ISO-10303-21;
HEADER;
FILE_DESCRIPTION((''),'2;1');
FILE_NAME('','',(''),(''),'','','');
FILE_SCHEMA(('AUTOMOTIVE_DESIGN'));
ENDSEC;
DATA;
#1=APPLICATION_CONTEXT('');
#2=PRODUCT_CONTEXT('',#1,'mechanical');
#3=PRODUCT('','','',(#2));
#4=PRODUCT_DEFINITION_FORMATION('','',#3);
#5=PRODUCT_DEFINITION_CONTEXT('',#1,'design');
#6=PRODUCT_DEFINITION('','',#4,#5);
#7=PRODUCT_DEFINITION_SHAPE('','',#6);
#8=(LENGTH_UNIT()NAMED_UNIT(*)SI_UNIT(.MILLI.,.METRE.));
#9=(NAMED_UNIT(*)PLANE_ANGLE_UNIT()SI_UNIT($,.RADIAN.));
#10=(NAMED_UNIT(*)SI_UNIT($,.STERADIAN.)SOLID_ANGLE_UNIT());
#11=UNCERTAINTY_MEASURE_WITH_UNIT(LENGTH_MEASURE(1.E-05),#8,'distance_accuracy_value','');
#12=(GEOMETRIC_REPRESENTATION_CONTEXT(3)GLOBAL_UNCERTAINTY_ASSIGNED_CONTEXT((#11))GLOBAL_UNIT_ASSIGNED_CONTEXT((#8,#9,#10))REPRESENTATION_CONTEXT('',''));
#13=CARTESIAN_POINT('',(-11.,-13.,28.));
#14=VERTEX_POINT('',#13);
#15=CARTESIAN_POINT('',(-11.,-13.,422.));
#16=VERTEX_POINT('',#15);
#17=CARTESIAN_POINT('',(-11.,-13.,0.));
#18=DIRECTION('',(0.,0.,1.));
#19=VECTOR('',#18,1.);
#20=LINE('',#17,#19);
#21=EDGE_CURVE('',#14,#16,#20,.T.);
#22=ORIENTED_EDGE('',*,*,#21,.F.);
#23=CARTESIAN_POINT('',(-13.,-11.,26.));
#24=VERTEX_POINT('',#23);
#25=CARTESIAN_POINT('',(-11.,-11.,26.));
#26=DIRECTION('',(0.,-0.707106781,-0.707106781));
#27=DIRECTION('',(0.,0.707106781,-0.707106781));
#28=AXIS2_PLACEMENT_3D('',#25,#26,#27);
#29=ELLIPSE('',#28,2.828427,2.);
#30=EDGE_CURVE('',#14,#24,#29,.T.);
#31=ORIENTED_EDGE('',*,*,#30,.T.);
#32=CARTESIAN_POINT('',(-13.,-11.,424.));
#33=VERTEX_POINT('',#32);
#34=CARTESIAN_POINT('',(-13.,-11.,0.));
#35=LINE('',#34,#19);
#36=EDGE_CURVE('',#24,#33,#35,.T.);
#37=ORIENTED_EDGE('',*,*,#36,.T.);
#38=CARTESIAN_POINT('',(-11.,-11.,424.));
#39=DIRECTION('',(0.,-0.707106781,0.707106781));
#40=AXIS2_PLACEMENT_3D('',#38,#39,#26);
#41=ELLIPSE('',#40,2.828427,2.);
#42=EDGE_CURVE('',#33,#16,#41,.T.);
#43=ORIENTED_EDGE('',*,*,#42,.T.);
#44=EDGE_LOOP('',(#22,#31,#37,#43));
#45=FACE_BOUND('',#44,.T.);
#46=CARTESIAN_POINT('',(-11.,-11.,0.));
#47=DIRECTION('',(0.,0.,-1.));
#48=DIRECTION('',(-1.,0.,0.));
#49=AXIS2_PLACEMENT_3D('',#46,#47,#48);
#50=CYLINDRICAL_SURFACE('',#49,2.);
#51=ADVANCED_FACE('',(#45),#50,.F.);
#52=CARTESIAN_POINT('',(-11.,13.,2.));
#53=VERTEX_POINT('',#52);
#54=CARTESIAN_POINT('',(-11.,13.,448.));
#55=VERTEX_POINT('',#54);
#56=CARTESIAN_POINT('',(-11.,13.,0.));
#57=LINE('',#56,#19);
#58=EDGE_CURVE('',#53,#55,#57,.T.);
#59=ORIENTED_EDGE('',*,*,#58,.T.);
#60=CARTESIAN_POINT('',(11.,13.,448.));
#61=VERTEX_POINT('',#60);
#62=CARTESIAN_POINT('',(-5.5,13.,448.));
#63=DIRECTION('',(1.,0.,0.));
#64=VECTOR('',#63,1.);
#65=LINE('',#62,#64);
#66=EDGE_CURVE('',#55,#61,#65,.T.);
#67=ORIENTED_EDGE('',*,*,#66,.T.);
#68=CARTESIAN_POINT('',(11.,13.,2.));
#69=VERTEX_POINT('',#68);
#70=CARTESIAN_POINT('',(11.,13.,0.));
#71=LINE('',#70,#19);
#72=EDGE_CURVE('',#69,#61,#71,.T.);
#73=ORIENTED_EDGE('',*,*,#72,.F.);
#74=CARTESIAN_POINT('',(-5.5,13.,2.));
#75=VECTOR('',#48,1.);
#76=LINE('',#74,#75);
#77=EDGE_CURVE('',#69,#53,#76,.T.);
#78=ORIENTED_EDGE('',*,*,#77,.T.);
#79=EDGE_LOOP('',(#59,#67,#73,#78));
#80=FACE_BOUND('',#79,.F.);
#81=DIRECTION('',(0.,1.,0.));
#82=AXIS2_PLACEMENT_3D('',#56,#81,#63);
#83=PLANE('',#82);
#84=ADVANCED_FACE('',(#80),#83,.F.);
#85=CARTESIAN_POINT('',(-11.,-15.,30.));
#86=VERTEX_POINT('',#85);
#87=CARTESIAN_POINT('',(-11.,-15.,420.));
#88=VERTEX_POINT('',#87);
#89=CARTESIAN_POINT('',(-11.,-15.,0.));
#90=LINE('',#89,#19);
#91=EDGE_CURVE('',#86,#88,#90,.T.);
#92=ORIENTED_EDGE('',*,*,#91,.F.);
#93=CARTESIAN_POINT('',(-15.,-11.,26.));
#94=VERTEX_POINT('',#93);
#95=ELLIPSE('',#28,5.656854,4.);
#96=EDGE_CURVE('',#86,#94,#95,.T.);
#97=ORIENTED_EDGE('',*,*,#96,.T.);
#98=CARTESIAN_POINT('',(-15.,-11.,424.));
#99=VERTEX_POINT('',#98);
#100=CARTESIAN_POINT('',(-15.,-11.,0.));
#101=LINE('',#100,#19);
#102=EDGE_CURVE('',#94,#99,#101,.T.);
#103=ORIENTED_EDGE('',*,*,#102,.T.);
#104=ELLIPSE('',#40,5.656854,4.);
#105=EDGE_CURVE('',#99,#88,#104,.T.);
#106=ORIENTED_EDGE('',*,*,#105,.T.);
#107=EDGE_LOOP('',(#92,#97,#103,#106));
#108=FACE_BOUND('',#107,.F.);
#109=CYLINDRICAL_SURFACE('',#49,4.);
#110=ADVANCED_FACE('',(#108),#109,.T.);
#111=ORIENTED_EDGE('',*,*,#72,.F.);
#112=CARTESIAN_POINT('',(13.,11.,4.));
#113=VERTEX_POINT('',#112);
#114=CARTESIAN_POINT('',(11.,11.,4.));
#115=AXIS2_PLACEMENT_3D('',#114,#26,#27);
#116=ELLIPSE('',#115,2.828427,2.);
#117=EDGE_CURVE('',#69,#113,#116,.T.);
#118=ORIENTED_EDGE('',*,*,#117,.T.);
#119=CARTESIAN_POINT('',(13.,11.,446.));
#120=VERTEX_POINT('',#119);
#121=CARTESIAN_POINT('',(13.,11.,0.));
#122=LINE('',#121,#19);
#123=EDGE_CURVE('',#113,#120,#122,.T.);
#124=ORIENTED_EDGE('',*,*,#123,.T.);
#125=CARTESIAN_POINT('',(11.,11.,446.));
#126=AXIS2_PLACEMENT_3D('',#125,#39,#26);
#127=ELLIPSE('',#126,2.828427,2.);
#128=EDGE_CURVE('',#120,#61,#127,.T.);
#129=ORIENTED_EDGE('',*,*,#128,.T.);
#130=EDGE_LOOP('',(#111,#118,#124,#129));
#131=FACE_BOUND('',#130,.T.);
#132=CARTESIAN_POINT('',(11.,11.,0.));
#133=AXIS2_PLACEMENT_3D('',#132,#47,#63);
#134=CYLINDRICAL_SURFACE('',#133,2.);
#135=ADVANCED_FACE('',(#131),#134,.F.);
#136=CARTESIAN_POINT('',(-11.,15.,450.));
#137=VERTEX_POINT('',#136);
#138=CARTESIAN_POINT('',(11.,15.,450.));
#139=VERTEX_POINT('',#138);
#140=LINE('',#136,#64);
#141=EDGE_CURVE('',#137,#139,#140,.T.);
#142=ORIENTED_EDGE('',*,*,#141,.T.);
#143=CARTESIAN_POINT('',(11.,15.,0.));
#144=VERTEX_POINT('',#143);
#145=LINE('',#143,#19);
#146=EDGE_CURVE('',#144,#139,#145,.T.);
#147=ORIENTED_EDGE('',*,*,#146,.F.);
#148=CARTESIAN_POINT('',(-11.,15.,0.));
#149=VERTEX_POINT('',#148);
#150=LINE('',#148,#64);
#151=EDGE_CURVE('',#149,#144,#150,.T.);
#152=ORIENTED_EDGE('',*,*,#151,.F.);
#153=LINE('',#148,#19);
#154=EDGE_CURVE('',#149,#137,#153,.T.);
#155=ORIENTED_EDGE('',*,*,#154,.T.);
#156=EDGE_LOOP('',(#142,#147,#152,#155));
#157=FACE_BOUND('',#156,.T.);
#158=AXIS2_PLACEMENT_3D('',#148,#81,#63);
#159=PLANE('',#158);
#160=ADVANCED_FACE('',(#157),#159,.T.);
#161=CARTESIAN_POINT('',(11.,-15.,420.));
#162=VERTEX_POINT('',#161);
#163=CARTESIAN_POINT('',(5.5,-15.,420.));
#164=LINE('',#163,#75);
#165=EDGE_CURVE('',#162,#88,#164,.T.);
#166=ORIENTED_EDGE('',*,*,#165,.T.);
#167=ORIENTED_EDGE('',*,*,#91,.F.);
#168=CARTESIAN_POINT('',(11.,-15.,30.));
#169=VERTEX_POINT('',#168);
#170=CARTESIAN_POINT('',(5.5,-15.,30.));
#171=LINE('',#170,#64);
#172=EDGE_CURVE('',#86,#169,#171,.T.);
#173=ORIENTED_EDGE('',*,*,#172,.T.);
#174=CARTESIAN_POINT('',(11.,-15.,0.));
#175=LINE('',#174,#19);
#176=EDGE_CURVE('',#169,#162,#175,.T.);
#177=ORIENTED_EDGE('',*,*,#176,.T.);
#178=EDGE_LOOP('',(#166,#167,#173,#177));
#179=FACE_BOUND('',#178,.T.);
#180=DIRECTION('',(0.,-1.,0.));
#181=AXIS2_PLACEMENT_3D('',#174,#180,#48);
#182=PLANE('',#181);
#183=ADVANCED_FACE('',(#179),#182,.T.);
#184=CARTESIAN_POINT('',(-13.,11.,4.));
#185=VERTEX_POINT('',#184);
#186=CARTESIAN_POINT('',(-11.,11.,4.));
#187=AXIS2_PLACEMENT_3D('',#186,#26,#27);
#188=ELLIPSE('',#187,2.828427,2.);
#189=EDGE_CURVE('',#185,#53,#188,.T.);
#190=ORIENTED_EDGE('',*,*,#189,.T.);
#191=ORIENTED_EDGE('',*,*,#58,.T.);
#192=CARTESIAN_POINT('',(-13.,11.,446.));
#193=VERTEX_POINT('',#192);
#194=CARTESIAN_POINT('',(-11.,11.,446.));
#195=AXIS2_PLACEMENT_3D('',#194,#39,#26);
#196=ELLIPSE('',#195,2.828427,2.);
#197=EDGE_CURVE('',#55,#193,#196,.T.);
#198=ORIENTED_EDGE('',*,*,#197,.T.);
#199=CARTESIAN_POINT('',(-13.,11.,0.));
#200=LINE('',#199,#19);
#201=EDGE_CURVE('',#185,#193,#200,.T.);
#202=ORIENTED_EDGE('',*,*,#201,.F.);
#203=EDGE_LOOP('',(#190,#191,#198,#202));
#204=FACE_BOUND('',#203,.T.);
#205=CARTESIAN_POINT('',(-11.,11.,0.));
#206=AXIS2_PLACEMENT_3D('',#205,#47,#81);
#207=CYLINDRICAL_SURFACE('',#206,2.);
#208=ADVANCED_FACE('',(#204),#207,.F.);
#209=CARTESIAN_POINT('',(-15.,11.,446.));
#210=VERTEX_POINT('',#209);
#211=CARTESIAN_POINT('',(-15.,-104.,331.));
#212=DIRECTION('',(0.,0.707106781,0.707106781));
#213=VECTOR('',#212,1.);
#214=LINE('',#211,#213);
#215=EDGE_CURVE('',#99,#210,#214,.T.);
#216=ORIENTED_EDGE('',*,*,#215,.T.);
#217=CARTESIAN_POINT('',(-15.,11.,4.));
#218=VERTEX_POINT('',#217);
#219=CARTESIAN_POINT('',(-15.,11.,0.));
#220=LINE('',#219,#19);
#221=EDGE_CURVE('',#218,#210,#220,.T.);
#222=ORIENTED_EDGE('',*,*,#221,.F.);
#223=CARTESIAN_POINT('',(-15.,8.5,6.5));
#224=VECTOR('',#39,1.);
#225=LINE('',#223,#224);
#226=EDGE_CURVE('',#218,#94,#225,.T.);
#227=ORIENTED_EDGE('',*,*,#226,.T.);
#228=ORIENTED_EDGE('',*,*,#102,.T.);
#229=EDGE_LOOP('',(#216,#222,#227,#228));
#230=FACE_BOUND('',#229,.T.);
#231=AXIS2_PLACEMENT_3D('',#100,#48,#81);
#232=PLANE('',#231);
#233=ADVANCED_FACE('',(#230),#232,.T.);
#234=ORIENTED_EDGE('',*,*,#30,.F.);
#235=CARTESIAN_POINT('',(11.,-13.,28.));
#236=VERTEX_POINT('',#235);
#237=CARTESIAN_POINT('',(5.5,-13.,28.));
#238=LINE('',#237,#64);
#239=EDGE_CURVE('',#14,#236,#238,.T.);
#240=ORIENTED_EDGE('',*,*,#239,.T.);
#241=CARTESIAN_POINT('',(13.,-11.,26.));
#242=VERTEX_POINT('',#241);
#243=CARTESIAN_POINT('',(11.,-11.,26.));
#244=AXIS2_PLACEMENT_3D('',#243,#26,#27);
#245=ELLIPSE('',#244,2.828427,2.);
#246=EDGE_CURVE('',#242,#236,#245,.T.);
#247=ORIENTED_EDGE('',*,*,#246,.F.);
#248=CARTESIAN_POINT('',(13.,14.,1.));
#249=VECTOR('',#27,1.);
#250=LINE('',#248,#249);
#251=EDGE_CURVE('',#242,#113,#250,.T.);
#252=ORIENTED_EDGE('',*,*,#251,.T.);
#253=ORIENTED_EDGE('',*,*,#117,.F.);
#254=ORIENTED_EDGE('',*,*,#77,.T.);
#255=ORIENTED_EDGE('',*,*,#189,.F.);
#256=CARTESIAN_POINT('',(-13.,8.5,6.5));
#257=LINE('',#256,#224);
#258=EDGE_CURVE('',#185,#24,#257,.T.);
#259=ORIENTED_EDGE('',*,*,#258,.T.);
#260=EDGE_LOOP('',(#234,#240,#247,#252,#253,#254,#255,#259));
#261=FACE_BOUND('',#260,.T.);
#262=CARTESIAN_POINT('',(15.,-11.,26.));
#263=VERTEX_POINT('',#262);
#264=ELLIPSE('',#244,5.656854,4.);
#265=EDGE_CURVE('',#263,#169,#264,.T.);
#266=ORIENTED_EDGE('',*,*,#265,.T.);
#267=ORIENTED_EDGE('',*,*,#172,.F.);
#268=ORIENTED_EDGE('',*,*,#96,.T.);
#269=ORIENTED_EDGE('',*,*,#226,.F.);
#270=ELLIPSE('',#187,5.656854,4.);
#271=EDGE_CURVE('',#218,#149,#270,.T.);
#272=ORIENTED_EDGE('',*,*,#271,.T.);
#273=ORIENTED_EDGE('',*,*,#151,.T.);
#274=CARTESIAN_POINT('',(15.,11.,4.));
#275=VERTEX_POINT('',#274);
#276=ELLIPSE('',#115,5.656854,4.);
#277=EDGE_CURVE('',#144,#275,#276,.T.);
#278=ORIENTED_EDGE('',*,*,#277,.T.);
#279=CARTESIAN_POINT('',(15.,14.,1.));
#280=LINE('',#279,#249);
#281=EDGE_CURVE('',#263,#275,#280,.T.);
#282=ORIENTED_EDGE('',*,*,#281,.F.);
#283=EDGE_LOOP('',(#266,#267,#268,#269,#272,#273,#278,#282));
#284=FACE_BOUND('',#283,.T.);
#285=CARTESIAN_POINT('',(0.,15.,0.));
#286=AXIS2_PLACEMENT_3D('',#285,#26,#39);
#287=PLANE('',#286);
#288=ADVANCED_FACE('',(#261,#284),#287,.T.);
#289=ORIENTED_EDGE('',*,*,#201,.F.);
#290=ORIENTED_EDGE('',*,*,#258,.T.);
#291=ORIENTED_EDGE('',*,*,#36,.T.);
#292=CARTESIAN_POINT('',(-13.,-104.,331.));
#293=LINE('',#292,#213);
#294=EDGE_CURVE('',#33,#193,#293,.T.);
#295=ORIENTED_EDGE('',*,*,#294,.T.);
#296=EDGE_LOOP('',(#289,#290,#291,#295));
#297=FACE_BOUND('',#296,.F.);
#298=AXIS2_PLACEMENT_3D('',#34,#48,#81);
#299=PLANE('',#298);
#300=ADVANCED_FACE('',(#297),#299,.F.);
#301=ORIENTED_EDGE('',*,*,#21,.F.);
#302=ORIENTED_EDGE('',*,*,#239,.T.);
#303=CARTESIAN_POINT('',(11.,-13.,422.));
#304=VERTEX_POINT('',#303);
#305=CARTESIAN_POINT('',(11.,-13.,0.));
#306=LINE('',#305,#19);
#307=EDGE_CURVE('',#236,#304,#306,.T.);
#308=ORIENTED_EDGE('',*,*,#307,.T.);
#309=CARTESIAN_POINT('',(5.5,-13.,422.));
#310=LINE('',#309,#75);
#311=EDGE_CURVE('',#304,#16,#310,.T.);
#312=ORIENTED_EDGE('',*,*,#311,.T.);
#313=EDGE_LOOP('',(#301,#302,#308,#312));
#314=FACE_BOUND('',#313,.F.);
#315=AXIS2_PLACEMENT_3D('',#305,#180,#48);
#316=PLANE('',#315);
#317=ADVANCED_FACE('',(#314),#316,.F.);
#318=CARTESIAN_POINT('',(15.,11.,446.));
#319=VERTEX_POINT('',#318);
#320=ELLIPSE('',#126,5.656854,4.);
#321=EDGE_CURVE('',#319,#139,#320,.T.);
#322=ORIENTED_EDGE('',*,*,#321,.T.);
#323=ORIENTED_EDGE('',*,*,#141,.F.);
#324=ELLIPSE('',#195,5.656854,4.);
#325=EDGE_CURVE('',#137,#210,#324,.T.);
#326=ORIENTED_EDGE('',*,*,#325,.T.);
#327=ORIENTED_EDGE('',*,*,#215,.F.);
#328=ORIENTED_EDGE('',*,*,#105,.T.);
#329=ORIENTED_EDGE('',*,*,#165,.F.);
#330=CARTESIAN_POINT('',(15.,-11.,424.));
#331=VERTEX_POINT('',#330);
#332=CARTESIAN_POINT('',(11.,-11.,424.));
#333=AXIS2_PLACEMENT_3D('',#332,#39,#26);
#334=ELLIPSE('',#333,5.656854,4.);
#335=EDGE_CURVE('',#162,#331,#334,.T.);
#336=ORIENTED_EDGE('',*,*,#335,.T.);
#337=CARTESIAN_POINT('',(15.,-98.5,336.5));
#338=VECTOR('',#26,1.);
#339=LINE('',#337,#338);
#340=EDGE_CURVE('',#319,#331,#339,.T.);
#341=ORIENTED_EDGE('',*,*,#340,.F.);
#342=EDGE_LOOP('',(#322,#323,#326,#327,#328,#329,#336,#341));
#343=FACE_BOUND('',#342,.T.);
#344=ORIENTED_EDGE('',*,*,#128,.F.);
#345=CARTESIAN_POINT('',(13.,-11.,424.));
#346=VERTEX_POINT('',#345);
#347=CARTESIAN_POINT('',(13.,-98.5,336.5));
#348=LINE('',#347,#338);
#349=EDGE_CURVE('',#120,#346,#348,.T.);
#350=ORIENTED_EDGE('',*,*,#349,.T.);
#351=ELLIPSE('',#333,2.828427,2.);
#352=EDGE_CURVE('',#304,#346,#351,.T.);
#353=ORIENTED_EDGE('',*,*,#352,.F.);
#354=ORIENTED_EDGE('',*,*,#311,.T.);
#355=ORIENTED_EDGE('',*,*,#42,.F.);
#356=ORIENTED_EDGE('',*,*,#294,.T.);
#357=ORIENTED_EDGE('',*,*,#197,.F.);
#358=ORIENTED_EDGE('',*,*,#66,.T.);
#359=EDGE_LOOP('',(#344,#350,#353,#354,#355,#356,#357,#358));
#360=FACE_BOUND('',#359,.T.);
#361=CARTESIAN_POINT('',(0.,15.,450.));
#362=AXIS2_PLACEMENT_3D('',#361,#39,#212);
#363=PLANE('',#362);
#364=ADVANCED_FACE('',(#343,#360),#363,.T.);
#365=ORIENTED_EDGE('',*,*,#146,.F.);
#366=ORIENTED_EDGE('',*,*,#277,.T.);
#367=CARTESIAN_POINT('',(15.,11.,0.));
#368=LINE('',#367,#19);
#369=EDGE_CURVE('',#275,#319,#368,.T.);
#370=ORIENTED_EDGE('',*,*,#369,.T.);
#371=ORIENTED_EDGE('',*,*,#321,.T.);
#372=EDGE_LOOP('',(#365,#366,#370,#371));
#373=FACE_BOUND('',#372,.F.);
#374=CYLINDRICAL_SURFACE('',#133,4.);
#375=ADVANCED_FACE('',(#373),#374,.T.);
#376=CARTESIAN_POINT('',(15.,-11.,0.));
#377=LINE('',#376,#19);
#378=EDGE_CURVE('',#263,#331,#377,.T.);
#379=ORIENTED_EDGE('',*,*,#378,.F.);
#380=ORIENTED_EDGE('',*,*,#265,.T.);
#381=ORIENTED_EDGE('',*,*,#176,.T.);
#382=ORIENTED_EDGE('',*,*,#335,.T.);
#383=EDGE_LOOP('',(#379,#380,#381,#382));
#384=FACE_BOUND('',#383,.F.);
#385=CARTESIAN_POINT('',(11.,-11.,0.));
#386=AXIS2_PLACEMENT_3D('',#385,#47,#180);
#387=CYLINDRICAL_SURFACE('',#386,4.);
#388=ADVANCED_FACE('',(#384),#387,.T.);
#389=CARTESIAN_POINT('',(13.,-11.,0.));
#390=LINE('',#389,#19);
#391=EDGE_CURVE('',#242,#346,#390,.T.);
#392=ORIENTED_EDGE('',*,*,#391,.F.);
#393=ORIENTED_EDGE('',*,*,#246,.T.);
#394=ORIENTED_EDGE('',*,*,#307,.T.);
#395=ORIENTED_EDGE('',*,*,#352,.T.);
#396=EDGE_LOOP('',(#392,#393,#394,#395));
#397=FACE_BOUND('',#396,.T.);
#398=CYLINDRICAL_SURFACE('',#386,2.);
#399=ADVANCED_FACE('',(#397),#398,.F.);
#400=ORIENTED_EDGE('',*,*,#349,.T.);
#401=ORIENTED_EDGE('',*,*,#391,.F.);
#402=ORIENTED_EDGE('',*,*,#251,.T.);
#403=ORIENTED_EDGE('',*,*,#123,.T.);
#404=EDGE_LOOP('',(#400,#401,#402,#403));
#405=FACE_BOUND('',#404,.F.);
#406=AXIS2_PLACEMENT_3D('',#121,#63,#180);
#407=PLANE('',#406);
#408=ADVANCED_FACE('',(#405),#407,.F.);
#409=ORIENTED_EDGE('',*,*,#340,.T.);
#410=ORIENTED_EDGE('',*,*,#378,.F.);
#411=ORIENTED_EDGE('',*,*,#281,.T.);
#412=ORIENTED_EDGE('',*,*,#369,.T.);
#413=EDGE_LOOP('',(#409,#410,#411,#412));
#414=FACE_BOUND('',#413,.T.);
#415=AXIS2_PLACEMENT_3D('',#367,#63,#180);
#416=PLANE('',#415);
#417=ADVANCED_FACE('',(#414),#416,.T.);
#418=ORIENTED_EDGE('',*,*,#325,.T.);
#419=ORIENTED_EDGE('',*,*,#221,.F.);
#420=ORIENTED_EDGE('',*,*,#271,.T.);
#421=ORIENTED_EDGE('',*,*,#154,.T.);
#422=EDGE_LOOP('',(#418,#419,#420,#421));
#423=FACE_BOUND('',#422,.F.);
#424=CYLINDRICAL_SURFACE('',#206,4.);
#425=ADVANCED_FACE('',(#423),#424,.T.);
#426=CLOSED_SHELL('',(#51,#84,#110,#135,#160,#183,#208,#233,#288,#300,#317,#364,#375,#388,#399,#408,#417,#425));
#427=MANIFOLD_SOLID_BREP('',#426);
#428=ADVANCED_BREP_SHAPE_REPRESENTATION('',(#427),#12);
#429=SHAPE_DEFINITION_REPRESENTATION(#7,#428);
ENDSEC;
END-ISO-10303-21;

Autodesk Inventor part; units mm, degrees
ref_plane "Plano inicial" through (0, 0, 0) normal (0, 0, 1) x (1, 0, 0)
ref_plane "Plano final" through (0, 0, 450) normal (0, 0, 1) x (1, 0, 0)
sketch "Esboço" plane through (0, 0, 0) normal (0, 0, 1) x (1, 0, 0)
  line L0 (-15, -11) -> (-15, 11)
  line L1 (-11, 15) -> (11, 15)
  line L2 (15, 11) -> (15, -11)
  line L3 (11, -15) -> (-11, -15)
  arc A0 (-15, -11) -> (-11, -15) centre (-11, -11) ccw
  arc A1 (15, 11) -> (11, 15) centre (11, 11) ccw
  arc A2 (-11, 15) -> (-15, 11) centre (-11, 11) ccw
  arc A3 (11, -15) -> (15, -11) centre (11, -11) ccw
  arc A4 (-11, 13) -> (-13, 11) centre (-11, 11) ccw
  line L4 (-11, 13) -> (11, 13)
  arc A5 (13, 11) -> (11, 13) centre (11, 11) ccw
  line L5 (13, 11) -> (13, -11)
  arc A6 (11, -13) -> (13, -11) centre (11, -11) ccw
  line L6 (11, -13) -> (-11, -13)
  arc A7 (-13, -11) -> (-11, -13) centre (-11, -11) ccw
  line L7 (-13, -11) -> (-13, 11)
  line L8 (0, 22.1598) -> (0, -22.1598) construction
  line L9 (-22.1598, 0) -> (22.1598, 0) construction
  dimension "d7" = 4
  dimension "d9" = 30
  dimension "d11" = 30
  dimension "d12" = 2
  dimension "d15" = 15
  dimension "d16" = 15
extrude "Corpo" add sketch "Esboço" along normal up to surface (450 mm away) from surface at 0
sketch "Sketch3" plane through (0, 0, 0) normal (0, 0, 1) x (1, 0, 0)
  line L0 (0, 0) -> (10, 0)
ref_plane "Work Plane3" through (0, 0, 0) normal (0, -1, 0) x (1, 0, 0)
sketch "Sketch4" plane through (0, 0, 0) normal (0, -1, 0) x (1, 0, 0)
  line L0 (-2, 0) -> (12, 0)
  line L1 (-2, 450) -> (12, 450)
  dimension "d18" = 450
ref_plane "Plano de trabalho6" through (-15, 0, 450) normal (0, 0, 1) x (1, 0, 0)
split "Dividir3" plane through (-15, 0, 450) removes the side toward (0, 0, 1)
ref_plane "Plano de trabalho7" through (0, 15, 0) normal (0, -0.7071, -0.7071) x (1, 0, 0)
split "Dividir4" plane through (0, 15, 0) removes the side toward (0, -0.7071, -0.7071)
ref_plane "Plano de trabalho8" through (0, 15, 450) normal (0, -0.7071, 0.7071) x (1, 0, 0)
split "Dividir5" plane through (0, 15, 450) removes the side toward (0, -0.7071, 0.7071)
equation "\"d7\" = G_IR"
equation "\"d9\" = G_W"
equation "\"d11\" = G_H"
equation "\"d12\" = G_T"
equation "\"d15\" = 0.5 * d9"
equation "\"d16\" = 0.5 * d11"
equation "\"d3\" = G_L"
equation "\"G_W\" = 30"
equation "\"G_H\" = 30"
equation "\"G_T\" = 2"
equation "\"G_IR\" = 4"
equation "\"G_L\" = d18"
equation "\"G_OFFSET_START\" = 0"
equation "\"G_OFFSET_END\" = 0"
properties part number "ISO 10799-2 - 30x30x2 - 450" material "Aço, suave"
